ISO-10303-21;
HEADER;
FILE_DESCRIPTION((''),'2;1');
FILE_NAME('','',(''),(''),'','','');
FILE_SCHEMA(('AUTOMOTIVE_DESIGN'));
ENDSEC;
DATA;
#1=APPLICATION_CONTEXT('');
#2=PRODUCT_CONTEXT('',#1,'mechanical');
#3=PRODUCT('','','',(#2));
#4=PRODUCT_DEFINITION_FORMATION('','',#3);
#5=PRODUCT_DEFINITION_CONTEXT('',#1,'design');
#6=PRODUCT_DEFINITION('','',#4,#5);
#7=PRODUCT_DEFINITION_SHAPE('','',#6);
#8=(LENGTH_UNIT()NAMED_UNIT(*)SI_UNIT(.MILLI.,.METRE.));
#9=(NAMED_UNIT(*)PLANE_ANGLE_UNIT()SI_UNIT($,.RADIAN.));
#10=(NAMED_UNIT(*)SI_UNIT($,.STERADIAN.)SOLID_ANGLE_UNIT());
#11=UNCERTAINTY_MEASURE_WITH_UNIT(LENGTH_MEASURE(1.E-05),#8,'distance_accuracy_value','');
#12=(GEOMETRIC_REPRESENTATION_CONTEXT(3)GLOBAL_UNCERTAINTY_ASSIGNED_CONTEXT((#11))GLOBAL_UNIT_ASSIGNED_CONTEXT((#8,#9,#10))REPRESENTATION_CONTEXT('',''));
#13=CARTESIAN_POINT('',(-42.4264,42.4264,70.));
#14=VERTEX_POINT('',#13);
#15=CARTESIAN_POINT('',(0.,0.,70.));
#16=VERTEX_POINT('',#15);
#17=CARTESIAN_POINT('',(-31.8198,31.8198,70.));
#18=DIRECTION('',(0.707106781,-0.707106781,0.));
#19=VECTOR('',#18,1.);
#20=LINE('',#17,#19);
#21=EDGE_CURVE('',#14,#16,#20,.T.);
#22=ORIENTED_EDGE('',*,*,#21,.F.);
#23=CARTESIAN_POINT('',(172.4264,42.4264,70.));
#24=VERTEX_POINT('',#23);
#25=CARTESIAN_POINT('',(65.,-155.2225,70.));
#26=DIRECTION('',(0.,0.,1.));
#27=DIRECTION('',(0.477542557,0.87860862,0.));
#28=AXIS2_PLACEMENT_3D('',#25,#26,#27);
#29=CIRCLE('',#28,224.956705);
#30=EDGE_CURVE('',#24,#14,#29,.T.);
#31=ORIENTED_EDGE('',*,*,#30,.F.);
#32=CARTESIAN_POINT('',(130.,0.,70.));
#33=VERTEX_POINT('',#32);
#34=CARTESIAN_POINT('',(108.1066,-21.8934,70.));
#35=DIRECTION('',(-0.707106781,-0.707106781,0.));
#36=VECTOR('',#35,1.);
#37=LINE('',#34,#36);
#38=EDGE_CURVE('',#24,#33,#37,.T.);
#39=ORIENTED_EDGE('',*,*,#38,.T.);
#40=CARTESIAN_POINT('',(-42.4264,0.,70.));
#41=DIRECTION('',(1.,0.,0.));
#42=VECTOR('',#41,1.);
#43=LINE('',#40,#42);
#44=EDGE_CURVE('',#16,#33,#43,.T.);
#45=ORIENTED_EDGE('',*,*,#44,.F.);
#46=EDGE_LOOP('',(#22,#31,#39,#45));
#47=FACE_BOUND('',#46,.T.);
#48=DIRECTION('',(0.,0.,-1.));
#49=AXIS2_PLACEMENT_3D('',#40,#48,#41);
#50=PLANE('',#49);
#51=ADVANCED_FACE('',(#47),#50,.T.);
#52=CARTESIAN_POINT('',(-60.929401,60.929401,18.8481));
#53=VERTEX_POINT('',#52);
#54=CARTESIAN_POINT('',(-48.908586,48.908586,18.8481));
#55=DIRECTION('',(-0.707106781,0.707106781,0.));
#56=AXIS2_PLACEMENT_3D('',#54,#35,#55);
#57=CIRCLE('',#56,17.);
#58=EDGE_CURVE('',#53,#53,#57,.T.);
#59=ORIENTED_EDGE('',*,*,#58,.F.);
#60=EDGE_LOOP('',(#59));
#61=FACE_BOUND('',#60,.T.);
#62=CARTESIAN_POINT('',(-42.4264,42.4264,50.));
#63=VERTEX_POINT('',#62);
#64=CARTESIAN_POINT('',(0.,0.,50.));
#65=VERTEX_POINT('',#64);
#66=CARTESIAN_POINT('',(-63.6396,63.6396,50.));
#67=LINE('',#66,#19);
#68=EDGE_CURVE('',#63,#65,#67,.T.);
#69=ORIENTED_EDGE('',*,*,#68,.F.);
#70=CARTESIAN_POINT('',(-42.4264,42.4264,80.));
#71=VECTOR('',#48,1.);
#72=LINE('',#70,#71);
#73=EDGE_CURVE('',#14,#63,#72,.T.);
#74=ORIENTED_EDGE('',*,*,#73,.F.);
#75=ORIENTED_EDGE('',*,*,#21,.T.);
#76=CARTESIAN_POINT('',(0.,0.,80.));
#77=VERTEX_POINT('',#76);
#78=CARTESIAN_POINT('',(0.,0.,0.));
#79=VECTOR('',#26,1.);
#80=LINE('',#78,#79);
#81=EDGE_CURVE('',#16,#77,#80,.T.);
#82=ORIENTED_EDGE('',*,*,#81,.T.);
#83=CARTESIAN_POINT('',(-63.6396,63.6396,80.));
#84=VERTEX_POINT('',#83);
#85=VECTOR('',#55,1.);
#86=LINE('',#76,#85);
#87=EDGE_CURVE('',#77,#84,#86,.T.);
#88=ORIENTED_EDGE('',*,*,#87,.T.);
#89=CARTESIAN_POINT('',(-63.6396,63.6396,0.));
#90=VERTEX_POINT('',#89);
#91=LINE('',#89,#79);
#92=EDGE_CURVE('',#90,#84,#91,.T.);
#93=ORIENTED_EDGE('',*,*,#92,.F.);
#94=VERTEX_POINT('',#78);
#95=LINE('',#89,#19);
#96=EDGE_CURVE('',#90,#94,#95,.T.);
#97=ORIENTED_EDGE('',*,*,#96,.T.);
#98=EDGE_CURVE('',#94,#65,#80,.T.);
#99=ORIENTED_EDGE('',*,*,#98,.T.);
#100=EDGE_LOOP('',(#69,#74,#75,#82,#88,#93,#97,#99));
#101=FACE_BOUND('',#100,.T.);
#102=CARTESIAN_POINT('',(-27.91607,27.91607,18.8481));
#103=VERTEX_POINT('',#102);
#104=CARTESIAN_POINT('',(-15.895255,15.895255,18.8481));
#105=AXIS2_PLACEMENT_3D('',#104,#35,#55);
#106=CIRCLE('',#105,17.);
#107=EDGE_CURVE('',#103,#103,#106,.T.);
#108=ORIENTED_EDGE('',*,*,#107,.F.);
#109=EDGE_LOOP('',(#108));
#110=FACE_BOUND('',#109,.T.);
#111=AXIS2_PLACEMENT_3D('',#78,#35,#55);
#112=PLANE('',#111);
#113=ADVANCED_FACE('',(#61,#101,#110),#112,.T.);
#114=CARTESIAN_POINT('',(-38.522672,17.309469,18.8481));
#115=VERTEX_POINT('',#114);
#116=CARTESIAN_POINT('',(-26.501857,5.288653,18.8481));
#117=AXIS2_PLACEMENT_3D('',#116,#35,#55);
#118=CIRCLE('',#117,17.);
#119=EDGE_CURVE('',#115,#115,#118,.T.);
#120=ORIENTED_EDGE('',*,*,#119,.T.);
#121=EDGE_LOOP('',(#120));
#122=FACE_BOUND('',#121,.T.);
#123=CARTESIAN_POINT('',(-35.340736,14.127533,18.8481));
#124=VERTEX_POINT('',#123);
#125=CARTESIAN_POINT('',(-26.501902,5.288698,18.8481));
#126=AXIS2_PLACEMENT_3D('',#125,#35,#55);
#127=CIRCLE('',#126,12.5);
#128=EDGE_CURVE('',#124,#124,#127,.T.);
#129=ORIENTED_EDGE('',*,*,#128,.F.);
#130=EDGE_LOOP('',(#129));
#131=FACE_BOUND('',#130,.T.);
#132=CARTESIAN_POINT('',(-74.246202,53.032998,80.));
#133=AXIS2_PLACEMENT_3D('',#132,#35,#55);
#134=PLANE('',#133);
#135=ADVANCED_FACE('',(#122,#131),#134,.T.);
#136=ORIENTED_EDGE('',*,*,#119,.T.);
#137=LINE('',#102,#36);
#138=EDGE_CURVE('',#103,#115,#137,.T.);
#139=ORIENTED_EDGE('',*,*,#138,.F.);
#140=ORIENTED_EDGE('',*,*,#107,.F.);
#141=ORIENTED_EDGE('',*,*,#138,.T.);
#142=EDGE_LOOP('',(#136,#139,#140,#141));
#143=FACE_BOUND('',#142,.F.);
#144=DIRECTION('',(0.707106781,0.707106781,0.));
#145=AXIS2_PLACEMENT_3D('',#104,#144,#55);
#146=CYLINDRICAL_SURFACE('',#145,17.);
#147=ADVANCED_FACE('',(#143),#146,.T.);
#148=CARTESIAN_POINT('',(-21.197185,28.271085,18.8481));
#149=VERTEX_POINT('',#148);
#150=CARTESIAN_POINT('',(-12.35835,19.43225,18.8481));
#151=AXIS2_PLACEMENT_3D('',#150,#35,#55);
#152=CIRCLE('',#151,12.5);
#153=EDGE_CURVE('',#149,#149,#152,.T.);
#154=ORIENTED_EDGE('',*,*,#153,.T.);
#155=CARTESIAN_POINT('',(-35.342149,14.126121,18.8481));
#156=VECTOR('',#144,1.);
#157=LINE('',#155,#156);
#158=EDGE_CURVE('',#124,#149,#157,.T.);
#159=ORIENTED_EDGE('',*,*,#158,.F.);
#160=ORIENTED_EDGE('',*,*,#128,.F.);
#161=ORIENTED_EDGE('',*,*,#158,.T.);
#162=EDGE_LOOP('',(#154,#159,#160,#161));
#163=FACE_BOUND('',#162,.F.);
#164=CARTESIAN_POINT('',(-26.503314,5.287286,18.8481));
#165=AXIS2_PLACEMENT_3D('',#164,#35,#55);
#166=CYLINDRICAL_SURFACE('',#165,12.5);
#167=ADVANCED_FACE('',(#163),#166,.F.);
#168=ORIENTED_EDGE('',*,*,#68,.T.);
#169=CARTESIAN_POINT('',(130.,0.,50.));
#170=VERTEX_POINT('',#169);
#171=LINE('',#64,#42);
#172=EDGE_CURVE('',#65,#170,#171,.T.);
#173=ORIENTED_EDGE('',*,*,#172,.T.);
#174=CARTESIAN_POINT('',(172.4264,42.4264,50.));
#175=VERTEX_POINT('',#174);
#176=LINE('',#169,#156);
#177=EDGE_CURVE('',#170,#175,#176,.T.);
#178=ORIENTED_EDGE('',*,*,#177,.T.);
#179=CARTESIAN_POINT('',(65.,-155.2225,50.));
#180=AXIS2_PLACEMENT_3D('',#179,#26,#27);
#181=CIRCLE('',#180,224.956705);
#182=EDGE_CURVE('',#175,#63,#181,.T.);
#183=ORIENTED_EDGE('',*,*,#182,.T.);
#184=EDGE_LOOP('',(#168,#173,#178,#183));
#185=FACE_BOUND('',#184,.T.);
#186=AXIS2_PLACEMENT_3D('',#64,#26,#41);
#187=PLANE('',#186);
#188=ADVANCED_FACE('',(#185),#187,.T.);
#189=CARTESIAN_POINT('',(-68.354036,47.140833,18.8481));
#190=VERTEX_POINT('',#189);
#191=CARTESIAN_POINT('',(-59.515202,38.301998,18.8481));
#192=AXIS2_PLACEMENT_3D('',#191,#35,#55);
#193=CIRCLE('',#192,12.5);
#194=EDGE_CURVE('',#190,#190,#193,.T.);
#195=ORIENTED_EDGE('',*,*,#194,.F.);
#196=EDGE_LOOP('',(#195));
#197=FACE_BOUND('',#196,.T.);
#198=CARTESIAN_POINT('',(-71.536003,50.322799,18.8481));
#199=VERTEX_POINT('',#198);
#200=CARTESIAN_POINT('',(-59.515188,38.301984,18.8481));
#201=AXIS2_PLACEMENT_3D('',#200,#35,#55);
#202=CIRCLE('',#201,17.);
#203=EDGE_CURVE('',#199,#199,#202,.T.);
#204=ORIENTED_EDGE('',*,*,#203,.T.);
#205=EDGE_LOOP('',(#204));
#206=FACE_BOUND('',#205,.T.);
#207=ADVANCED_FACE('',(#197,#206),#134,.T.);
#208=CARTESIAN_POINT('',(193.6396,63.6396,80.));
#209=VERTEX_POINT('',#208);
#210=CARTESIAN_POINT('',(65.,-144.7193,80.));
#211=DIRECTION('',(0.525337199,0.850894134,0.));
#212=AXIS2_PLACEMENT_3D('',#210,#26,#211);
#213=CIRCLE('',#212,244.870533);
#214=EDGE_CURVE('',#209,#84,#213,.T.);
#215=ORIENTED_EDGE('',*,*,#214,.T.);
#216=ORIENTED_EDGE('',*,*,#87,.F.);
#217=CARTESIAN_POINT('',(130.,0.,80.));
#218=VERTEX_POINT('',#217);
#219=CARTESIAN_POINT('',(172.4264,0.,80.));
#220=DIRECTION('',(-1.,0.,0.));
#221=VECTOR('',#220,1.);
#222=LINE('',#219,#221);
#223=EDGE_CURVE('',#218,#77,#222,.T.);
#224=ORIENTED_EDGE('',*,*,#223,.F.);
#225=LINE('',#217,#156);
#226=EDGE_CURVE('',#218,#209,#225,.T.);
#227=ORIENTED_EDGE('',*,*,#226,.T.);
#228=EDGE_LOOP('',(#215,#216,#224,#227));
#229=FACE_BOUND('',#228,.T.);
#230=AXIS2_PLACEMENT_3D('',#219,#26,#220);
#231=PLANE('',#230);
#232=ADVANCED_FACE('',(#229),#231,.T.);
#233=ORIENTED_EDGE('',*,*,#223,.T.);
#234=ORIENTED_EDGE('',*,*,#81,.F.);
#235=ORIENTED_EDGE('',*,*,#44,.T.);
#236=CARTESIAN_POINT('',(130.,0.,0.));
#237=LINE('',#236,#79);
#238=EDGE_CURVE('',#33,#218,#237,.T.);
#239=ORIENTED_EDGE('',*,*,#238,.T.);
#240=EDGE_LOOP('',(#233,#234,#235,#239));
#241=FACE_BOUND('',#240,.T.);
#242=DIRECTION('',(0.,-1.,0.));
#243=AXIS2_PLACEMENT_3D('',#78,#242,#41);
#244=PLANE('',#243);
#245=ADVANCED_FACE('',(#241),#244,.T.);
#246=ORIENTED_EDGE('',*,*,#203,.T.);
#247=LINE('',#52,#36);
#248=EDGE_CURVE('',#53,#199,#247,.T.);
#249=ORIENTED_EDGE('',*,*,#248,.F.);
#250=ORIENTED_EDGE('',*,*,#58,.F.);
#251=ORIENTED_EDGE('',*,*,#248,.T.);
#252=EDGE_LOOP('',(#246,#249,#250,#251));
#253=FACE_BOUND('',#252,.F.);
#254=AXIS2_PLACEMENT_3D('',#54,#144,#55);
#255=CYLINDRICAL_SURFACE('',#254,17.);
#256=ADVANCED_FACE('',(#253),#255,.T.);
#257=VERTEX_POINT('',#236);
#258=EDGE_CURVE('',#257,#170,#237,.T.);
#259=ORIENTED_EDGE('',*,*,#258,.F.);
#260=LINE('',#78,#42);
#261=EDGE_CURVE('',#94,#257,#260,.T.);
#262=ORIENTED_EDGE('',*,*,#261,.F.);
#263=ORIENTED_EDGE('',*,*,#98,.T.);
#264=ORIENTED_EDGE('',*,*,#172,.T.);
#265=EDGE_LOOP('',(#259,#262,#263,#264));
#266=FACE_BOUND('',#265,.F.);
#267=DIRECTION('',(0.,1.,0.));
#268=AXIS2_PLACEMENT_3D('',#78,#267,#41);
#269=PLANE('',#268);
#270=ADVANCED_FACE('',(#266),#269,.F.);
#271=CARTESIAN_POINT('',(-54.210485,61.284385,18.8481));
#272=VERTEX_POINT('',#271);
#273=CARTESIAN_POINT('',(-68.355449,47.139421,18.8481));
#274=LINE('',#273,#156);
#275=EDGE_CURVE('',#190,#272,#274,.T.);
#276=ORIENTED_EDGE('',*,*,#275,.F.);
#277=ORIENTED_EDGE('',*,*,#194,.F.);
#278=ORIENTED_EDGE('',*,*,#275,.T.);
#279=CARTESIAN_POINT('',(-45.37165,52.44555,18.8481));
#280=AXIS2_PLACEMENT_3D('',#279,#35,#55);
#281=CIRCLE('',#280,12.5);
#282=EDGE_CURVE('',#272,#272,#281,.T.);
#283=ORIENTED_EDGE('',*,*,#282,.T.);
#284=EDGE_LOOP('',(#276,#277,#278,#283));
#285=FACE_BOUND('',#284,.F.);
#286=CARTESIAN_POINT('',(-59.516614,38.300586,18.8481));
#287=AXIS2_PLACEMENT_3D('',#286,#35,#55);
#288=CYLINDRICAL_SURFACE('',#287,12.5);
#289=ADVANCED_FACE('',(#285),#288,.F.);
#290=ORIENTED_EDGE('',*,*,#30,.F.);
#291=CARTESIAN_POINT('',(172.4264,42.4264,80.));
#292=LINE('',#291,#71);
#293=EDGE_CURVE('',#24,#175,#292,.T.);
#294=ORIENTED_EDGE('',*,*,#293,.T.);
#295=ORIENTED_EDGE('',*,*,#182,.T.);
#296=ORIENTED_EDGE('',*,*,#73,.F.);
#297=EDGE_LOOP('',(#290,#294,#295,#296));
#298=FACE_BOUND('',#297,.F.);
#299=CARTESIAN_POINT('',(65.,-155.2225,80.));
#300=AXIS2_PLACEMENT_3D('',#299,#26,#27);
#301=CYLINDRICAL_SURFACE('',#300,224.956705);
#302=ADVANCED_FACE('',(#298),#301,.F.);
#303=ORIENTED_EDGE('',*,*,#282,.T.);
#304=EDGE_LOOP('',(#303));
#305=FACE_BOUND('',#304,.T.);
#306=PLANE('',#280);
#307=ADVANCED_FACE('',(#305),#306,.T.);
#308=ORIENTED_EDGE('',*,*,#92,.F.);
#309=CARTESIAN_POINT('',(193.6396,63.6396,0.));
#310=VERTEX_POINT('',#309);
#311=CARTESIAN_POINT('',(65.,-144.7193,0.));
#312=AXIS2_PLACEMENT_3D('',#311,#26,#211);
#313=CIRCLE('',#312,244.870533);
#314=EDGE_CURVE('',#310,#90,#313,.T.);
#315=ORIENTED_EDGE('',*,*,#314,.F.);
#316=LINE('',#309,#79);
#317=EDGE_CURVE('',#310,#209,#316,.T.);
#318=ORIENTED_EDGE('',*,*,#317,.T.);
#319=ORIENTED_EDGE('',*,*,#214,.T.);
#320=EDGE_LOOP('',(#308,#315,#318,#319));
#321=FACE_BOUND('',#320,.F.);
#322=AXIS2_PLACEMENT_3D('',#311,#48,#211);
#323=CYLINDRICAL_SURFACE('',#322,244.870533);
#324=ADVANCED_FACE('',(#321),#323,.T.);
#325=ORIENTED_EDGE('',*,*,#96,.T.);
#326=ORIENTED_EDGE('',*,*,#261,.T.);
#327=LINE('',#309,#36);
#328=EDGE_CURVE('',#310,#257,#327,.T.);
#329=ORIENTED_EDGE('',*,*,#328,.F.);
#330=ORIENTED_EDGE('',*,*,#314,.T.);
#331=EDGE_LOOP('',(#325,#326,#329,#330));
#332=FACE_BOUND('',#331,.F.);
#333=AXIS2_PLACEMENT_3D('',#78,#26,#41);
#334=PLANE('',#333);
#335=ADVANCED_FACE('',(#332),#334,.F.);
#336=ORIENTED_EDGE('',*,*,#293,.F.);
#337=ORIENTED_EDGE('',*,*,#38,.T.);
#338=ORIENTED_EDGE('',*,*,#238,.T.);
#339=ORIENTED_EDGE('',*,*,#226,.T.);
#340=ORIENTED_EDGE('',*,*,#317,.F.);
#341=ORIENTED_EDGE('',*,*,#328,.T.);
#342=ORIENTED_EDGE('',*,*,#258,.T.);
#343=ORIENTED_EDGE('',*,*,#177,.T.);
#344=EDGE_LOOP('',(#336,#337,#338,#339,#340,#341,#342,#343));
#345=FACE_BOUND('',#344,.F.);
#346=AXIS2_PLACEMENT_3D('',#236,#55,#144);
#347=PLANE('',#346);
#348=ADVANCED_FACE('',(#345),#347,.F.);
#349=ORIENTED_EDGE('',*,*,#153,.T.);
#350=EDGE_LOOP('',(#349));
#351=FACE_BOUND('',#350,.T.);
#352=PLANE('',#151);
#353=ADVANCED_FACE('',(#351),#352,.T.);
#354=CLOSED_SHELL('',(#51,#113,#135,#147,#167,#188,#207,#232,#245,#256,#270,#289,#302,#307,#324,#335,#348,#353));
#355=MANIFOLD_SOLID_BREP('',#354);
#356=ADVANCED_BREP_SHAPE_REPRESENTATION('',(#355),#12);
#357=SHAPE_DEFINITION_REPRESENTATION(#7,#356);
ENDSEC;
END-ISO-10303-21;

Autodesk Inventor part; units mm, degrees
sketch "Sketch1" plane through (0, 0, 0) normal (0, 0, 1) x (1, 0, 0)
  line L0 (0, 0) -> (130, 0)
  line L1 (130, 0) -> (193.6396, 63.6396)
  line L2 (0, 0) -> (-63.6396, 63.6396)
  arc A0 (193.6396, 63.6396) -> (-63.6396, 63.6396) centre (65, -144.7193) ccw
  dimension "d0" = 130
  dimension "d1" = 90
  dimension "d2" = 135
  dimension "d3" = 90
extrude "Extrusion1" add sketch "Sketch1" along normal blind 80
ref_plane "Work Plane1" through (0, 0, 80) normal (0, 0, 1) x (1, 0, 0)
sketch "Sketch2" plane through (0, 0, 80) normal (0, 0, 1) x (1, 0, 0)
  line L0 (-63.6396, 63.6396) -> (0, 0) projected
  line L1 (0, 0) -> (-42.4264, 42.4264)
  line L2 (0, 0) -> (130, 0) projected
  line L3 (0, 0) -> (130, 0)
  line L4 (130, 0) -> (172.4264, 42.4264)
  line L5 (130, 0) -> (193.6396, 63.6396) projected
  arc A0 (172.4264, 42.4264) -> (-42.4264, 42.4264) centre (65, -155.2225) ccw
  dimension "d7" = 60
  dimension "d8" = 60
extrude "Extrusion2" cut sketch "Sketch2" against normal blind 30
ref_plane "Work Plane2" through (0, 0, 0) normal (0, -1, 0) x (1, 0, 0)
sketch "Sketch4" plane through (0, 0, 0) normal (0, -1, 0) x (1, 0, 0)
  line L0 (-42.4264, 50) -> (-42.4264, 80) projected
  line L1 (-42.4264, 70) -> (172.4264, 70)
  line L2 (172.4264, 80) -> (172.4264, 50) projected
  line L3 (172.4264, 70) -> (172.4264, 80)
  line L4 (172.4264, 80) -> (-42.4264, 80)
  line L5 (193.6396, 80) -> (-63.6396, 80) projected
  line L6 (130, 50) -> (0, 50) projected
  point P0 (0, 0)
  dimension "d12" = 20
extrude "Extrusion3" add sketch "Sketch4" against normal blind 70
ref_plane "Work Plane3" through (0, 0, 0) normal (0, 0, -1) x (-1, 0, 0)
sketch "Sketch5" plane through (0, 0, 0) normal (0, 0, -1) x (-1, 0, 0)
  line L0 (-172.4264, 0) -> (-172.4264, 42.4264) projected
  line L1 (-172.4264, 42.4264) -> (-130, 0) projected
  line L2 (-172.4264, 0) -> (-172.4264, 42.4264)
  line L3 (-172.4264, 42.4264) -> (-130, 0)
  line L4 (42.4264, 0) -> (-172.4264, 0) projected
  line L5 (-130, 0) -> (-172.4264, 0)
  line L6 (-130, 0) -> (0, 0) projected
  line L7 (42.4264, 42.4264) -> (42.4264, 0)
  line L8 (63.6396, 63.6396) -> (0, 0) projected
  line L9 (42.4264, 42.4264) -> (0, 0)
  line L10 (0, 0) -> (42.4264, 0)
extrude "Extrusion4" cut sketch "Sketch5" against normal blind 80
ref_plane "Work Plane4" through (-63.6396, 63.6396, 80) normal (-0.7071, -0.7071, 0) x (-0.7071, 0.7071, 0)
sketch "Sketch6" plane through (-63.6396, 63.6396, 80) normal (-0.7071, -0.7071, 0) x (-0.7071, 0.7071, 0)
  circle A0 centre (-20.8328, 61.1519) radius 17
  circle A1 centre (-67.5207, 61.1519) radius 17
  point P0 (-90, 80)
  dimension "d19" = 34
  dimension "d21" = 34
extrude "Extrusion5" add sketch "Sketch6" along normal blind 15
sketch "Sketch7" plane through (-59.5152, 38.302, 18.8481) normal (-0.7071, -0.7071, 0) x (-0.7071, 0.7071, 0)
  circle A0 centre (0, 0) radius 12.5
  circle A1 centre (-46.6879, 0) radius 17 projected
  circle A2 centre (-46.6879, 0) radius 12.5
  point P0 (-69.1672, 18.8481)
  dimension "d24" = 25
  dimension "d25" = 25
extrude "Extrusion6" cut sketch "Sketch7" against normal blind 20 contours A0
sketch "Sketch8" plane through (-26.5019, 5.2887, 18.8481) normal (-0.7071, -0.7071, 0) x (-0.7071, 0.7071, 0)
  circle A0 centre (0, 0) radius 12.5
  point P0 (-22.4793, 18.8481)
  dimension "d28" = 25
extrude "Extrusion7" cut sketch "Sketch8" against normal blind 20
properties part number "Calliper" material "Steel, Alloy"
